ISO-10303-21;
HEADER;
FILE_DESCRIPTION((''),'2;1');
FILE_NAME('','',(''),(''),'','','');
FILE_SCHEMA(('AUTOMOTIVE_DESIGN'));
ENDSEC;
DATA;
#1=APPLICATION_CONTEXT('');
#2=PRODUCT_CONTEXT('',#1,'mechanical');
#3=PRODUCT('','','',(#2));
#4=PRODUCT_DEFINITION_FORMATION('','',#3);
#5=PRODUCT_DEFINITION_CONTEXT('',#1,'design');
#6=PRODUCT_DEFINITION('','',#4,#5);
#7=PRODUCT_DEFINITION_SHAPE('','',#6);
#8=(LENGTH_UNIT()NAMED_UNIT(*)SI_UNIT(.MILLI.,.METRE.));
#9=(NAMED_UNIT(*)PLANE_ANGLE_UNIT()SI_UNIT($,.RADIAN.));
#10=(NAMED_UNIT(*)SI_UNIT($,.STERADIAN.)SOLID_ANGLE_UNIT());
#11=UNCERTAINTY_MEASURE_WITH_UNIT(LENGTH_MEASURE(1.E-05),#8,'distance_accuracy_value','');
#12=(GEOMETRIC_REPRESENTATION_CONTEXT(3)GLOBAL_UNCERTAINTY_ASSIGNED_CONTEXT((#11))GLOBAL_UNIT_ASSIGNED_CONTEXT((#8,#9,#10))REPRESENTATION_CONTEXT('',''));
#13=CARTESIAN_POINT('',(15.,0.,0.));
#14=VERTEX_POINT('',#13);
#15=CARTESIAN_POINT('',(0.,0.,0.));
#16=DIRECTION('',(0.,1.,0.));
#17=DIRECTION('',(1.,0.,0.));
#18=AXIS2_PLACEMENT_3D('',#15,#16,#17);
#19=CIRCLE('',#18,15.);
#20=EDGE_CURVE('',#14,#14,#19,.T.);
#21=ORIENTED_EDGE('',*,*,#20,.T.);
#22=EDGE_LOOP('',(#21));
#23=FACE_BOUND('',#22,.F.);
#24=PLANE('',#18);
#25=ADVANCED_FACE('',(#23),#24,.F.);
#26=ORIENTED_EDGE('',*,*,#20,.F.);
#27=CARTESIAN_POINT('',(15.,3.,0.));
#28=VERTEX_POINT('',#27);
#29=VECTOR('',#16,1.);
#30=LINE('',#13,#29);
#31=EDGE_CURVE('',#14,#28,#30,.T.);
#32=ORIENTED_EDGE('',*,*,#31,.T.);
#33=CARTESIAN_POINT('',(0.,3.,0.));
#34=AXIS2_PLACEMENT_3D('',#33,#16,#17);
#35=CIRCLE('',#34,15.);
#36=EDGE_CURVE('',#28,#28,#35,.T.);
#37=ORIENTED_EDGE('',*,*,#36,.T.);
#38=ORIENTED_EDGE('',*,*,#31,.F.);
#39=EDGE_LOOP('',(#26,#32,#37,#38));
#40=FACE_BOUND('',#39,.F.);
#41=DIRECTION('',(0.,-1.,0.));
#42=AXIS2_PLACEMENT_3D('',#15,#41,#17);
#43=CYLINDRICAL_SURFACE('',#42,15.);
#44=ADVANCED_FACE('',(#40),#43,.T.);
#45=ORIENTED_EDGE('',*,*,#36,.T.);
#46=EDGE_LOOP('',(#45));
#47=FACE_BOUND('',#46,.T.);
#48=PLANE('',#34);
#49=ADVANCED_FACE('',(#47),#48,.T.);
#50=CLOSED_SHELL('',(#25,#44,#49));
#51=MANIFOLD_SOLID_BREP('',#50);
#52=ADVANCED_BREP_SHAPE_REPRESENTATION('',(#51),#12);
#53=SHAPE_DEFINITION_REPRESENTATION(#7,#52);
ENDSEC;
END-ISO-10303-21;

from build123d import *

# Parameters (mm, degrees)
ESQUISSE1_R        = 15
BOSS_EXTRU_1_DEPTH = 3


with BuildPart() as part:
    # Esquisse1 → Boss.-Extru.1 (new body)
    with BuildSketch(Plane(origin=(0, 0, 0), x_dir=(1, 0, 0), z_dir=(0, 1, 0))):
        Circle(ESQUISSE1_R)
    extrude(amount=BOSS_EXTRU_1_DEPTH)


solid = part.part
